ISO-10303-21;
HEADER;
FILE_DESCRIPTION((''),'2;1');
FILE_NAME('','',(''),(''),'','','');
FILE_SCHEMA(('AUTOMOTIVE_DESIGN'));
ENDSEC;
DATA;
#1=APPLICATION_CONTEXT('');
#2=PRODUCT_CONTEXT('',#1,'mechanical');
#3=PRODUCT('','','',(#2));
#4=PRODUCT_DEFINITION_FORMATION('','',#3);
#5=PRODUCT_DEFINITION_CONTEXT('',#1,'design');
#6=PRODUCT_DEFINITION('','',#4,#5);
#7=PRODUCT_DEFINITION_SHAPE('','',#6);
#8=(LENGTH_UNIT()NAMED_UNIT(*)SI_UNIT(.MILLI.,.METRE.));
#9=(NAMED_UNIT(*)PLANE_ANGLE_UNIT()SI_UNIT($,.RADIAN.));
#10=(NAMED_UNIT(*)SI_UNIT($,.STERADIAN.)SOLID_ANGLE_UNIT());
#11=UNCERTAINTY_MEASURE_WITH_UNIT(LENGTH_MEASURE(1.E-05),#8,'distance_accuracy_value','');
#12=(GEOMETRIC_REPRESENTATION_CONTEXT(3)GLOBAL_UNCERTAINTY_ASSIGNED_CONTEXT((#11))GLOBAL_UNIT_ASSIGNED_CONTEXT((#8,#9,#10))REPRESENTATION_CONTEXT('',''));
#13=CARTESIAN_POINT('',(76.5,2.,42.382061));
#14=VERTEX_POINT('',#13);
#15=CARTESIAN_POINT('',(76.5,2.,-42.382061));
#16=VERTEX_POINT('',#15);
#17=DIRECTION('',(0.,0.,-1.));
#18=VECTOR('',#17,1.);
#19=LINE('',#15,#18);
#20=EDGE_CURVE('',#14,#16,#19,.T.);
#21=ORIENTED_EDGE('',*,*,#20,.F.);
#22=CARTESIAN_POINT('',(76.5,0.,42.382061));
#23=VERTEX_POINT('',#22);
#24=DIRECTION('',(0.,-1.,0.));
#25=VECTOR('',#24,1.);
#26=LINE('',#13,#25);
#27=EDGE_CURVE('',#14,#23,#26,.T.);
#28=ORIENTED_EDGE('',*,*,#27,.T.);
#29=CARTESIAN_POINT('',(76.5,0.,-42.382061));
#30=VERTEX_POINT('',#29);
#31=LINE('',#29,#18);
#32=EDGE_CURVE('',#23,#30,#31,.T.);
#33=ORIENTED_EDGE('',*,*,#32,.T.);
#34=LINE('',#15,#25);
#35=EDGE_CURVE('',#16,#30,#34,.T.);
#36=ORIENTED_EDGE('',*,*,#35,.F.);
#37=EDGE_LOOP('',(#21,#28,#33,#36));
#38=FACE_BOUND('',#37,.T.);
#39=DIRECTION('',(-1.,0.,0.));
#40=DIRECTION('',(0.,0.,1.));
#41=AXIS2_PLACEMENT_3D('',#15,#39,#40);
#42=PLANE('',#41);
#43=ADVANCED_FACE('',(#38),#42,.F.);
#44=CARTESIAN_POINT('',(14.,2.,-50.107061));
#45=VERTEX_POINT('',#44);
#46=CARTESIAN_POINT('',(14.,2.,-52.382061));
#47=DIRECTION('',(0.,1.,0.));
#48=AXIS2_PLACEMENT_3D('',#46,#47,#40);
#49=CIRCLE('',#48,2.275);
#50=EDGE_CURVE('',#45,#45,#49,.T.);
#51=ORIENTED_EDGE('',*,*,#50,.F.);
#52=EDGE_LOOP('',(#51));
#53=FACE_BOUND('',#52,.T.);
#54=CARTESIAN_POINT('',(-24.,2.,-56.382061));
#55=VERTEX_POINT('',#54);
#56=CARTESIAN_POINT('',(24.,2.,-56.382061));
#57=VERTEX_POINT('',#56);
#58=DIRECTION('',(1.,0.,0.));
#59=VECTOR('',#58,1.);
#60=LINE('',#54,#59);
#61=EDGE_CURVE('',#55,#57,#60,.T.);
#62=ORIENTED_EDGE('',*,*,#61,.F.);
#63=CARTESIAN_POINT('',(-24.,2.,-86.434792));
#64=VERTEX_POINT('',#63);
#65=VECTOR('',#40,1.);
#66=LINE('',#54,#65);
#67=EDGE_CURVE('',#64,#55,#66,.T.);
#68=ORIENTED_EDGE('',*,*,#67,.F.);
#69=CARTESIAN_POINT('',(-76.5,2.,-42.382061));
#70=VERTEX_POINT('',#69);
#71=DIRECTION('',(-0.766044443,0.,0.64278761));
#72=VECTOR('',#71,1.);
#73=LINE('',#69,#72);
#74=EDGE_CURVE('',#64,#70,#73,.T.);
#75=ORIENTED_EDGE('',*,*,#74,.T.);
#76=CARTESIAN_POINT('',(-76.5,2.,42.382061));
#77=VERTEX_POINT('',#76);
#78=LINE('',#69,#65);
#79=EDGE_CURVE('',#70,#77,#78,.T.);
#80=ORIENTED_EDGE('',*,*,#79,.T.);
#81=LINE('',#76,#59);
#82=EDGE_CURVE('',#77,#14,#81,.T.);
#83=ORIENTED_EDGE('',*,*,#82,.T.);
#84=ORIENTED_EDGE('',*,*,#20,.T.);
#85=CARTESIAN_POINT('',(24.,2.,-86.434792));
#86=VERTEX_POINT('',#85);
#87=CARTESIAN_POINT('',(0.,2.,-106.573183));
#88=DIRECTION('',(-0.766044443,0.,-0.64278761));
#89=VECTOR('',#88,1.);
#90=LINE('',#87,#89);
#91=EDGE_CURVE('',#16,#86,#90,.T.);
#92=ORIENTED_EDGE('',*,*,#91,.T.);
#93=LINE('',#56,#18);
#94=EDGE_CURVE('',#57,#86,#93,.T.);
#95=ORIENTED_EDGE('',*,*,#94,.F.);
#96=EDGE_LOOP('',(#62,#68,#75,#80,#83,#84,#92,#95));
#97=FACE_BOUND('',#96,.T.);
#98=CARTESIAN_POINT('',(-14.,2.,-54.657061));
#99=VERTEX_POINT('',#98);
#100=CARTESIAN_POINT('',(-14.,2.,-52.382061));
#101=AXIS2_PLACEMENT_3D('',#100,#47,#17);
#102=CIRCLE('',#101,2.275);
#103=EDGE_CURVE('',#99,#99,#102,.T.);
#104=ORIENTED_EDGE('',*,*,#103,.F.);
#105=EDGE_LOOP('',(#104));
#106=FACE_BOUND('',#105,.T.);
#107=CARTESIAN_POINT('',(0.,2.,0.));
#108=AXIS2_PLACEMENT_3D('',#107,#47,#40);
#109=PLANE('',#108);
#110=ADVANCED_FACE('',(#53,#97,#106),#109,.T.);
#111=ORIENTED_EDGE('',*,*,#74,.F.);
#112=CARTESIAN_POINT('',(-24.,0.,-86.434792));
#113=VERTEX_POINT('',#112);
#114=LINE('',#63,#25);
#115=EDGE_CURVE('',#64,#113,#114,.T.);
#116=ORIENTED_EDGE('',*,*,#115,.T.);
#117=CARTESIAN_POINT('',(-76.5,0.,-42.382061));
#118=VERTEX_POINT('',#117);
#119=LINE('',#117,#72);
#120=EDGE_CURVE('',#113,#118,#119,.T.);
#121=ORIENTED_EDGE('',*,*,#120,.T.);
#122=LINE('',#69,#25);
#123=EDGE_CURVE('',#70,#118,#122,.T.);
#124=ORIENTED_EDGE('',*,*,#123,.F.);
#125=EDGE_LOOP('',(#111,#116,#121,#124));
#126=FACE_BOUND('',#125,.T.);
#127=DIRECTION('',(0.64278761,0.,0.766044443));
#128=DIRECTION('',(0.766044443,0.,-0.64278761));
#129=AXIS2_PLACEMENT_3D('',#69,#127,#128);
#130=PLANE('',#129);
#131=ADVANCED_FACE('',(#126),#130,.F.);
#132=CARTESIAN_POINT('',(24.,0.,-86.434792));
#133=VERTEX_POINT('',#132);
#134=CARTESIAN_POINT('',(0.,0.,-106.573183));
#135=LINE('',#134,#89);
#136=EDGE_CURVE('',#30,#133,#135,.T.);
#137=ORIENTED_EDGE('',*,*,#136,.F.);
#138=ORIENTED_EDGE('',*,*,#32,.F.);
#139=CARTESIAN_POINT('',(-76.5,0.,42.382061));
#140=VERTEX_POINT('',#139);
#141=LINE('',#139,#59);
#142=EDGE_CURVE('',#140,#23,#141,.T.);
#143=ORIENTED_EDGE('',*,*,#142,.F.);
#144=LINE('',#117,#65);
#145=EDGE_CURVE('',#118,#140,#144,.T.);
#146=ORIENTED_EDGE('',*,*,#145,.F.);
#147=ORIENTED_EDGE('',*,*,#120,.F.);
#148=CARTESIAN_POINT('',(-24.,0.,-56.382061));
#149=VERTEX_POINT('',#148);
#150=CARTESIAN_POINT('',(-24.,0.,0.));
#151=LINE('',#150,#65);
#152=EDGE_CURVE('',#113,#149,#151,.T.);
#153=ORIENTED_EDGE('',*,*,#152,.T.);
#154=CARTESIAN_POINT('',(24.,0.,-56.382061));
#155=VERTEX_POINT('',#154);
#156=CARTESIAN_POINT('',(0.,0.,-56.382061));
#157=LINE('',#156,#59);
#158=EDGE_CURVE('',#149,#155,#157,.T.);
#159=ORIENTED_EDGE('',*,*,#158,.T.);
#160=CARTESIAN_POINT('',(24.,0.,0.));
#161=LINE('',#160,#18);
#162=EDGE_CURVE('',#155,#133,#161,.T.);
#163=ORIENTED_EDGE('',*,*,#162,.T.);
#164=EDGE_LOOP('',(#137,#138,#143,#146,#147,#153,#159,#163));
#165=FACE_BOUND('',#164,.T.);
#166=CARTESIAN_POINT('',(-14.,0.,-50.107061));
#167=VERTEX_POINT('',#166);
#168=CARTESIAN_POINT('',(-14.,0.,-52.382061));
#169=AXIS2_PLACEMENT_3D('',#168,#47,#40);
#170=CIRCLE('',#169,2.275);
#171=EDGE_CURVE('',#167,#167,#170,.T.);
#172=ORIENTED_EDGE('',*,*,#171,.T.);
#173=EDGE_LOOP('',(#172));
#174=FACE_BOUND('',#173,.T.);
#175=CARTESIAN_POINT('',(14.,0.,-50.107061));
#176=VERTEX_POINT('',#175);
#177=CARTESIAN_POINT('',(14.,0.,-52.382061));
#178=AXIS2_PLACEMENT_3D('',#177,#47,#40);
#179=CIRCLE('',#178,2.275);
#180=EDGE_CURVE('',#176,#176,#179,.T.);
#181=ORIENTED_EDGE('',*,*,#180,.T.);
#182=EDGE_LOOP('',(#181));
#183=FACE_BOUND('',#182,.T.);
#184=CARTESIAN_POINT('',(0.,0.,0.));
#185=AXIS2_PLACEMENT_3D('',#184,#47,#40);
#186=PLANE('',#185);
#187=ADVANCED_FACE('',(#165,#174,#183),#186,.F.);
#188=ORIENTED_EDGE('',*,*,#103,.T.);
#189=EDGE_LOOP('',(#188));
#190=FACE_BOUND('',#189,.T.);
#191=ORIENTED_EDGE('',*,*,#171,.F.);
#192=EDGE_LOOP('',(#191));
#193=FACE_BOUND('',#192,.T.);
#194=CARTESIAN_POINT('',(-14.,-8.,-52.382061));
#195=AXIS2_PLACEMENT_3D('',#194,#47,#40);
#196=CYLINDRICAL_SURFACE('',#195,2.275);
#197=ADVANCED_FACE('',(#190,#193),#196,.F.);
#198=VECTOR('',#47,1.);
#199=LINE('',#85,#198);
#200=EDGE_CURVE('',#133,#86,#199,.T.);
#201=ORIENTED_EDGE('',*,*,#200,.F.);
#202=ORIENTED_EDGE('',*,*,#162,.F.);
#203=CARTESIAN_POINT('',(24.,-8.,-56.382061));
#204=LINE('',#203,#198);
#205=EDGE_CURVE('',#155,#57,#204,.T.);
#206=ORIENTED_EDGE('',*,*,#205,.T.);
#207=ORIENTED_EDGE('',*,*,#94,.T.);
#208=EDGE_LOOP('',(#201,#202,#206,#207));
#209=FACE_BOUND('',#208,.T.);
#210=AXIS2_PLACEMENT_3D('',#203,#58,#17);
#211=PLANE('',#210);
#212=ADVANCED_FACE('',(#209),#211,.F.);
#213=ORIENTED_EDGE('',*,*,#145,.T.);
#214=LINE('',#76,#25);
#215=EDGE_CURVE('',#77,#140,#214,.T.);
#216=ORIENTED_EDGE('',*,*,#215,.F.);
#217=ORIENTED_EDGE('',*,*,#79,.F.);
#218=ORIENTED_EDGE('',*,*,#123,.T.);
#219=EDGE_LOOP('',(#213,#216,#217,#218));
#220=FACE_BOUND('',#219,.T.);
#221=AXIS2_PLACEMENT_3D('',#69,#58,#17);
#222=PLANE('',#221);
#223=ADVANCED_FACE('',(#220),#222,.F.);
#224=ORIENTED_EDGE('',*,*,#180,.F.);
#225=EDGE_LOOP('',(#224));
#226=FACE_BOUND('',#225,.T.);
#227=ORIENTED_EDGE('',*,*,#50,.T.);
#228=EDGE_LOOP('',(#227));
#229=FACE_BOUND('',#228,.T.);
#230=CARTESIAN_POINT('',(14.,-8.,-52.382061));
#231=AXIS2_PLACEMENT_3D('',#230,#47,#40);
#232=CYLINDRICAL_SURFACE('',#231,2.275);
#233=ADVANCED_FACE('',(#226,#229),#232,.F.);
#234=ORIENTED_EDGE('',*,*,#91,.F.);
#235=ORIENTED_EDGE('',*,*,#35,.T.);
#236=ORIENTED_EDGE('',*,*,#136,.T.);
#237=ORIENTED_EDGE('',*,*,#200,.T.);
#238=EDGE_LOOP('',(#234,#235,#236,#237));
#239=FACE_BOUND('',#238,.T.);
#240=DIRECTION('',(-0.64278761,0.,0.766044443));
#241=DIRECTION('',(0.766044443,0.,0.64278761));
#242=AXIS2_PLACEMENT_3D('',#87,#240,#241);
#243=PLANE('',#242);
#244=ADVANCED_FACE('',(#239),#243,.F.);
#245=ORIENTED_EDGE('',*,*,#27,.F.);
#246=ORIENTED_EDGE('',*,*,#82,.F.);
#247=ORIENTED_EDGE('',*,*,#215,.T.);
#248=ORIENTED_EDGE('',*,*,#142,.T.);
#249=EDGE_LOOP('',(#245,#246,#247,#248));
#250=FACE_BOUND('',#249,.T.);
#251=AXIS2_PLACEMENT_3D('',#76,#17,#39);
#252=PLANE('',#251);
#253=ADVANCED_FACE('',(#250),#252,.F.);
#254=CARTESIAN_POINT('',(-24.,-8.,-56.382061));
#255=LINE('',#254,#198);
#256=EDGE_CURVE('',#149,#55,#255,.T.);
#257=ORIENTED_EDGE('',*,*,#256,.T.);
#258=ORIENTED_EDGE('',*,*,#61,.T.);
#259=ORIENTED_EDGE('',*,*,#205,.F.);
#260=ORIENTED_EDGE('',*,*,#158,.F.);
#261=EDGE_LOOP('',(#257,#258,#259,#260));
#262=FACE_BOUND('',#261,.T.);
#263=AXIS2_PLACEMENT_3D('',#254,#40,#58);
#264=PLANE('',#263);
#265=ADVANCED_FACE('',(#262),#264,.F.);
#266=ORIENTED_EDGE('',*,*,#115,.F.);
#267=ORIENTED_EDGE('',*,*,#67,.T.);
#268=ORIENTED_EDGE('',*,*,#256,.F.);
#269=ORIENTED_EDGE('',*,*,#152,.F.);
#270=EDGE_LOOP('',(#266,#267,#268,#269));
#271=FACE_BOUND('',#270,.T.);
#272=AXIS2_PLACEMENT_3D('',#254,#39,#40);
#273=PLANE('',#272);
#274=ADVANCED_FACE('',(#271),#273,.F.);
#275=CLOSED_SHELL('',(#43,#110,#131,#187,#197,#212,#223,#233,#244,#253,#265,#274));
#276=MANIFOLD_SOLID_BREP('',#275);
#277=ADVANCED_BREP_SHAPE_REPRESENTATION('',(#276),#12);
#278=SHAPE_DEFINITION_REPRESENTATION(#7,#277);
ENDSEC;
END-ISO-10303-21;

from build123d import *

# Parameters (mm, degrees)
EXTRUDE_1_DEPTH     = 2
SKETCH_2_W          = 48
SKETCH_2_H          = 50.191121785
CUT_EXTRUDE_1_DEPTH = 10
SKETCH_3_R          = 2.275
CUT_EXTRUDE_2_DEPTH = 10


with BuildPart() as part:
    # 草图1 → 凸台-拉伸1 (new body)
    with BuildSketch(Plane(origin=(0, 0, 0), x_dir=(1, 0, 0), z_dir=(0, 1, 0))):
        Polygon((-76.5, 42.382061447), (0, 106.573183232), (76.5, 42.382061447), (76.5, -42.382061447), (-76.5, -42.382061447), align=None)
    extrude(amount=EXTRUDE_1_DEPTH)

    # 草图2 → 切除-拉伸1 (cut)
    with BuildSketch(Plane(origin=(0, 2, 0), x_dir=(1, 0, 0), z_dir=(0, 1, 0))):
        with Locations((0, 81.47762234)):
            Rectangle(SKETCH_2_W, SKETCH_2_H)
    extrude(amount=-CUT_EXTRUDE_1_DEPTH, mode=Mode.SUBTRACT)

    # 草图3 → 切除-拉伸2 (cut)
    with BuildSketch(Plane(origin=(0, 2, 0), x_dir=(1, 0, 0), z_dir=(0, 1, 0))):
        with Locations(Location((14, 52.382061447, 0), (0, 0, 270))):
            Circle(SKETCH_3_R)
        with Locations(Location((-14, 52.382061447, 0), (0, 0, 270))):
            Circle(SKETCH_3_R)
    extrude(amount=-CUT_EXTRUDE_2_DEPTH, mode=Mode.SUBTRACT)


solid = part.part
